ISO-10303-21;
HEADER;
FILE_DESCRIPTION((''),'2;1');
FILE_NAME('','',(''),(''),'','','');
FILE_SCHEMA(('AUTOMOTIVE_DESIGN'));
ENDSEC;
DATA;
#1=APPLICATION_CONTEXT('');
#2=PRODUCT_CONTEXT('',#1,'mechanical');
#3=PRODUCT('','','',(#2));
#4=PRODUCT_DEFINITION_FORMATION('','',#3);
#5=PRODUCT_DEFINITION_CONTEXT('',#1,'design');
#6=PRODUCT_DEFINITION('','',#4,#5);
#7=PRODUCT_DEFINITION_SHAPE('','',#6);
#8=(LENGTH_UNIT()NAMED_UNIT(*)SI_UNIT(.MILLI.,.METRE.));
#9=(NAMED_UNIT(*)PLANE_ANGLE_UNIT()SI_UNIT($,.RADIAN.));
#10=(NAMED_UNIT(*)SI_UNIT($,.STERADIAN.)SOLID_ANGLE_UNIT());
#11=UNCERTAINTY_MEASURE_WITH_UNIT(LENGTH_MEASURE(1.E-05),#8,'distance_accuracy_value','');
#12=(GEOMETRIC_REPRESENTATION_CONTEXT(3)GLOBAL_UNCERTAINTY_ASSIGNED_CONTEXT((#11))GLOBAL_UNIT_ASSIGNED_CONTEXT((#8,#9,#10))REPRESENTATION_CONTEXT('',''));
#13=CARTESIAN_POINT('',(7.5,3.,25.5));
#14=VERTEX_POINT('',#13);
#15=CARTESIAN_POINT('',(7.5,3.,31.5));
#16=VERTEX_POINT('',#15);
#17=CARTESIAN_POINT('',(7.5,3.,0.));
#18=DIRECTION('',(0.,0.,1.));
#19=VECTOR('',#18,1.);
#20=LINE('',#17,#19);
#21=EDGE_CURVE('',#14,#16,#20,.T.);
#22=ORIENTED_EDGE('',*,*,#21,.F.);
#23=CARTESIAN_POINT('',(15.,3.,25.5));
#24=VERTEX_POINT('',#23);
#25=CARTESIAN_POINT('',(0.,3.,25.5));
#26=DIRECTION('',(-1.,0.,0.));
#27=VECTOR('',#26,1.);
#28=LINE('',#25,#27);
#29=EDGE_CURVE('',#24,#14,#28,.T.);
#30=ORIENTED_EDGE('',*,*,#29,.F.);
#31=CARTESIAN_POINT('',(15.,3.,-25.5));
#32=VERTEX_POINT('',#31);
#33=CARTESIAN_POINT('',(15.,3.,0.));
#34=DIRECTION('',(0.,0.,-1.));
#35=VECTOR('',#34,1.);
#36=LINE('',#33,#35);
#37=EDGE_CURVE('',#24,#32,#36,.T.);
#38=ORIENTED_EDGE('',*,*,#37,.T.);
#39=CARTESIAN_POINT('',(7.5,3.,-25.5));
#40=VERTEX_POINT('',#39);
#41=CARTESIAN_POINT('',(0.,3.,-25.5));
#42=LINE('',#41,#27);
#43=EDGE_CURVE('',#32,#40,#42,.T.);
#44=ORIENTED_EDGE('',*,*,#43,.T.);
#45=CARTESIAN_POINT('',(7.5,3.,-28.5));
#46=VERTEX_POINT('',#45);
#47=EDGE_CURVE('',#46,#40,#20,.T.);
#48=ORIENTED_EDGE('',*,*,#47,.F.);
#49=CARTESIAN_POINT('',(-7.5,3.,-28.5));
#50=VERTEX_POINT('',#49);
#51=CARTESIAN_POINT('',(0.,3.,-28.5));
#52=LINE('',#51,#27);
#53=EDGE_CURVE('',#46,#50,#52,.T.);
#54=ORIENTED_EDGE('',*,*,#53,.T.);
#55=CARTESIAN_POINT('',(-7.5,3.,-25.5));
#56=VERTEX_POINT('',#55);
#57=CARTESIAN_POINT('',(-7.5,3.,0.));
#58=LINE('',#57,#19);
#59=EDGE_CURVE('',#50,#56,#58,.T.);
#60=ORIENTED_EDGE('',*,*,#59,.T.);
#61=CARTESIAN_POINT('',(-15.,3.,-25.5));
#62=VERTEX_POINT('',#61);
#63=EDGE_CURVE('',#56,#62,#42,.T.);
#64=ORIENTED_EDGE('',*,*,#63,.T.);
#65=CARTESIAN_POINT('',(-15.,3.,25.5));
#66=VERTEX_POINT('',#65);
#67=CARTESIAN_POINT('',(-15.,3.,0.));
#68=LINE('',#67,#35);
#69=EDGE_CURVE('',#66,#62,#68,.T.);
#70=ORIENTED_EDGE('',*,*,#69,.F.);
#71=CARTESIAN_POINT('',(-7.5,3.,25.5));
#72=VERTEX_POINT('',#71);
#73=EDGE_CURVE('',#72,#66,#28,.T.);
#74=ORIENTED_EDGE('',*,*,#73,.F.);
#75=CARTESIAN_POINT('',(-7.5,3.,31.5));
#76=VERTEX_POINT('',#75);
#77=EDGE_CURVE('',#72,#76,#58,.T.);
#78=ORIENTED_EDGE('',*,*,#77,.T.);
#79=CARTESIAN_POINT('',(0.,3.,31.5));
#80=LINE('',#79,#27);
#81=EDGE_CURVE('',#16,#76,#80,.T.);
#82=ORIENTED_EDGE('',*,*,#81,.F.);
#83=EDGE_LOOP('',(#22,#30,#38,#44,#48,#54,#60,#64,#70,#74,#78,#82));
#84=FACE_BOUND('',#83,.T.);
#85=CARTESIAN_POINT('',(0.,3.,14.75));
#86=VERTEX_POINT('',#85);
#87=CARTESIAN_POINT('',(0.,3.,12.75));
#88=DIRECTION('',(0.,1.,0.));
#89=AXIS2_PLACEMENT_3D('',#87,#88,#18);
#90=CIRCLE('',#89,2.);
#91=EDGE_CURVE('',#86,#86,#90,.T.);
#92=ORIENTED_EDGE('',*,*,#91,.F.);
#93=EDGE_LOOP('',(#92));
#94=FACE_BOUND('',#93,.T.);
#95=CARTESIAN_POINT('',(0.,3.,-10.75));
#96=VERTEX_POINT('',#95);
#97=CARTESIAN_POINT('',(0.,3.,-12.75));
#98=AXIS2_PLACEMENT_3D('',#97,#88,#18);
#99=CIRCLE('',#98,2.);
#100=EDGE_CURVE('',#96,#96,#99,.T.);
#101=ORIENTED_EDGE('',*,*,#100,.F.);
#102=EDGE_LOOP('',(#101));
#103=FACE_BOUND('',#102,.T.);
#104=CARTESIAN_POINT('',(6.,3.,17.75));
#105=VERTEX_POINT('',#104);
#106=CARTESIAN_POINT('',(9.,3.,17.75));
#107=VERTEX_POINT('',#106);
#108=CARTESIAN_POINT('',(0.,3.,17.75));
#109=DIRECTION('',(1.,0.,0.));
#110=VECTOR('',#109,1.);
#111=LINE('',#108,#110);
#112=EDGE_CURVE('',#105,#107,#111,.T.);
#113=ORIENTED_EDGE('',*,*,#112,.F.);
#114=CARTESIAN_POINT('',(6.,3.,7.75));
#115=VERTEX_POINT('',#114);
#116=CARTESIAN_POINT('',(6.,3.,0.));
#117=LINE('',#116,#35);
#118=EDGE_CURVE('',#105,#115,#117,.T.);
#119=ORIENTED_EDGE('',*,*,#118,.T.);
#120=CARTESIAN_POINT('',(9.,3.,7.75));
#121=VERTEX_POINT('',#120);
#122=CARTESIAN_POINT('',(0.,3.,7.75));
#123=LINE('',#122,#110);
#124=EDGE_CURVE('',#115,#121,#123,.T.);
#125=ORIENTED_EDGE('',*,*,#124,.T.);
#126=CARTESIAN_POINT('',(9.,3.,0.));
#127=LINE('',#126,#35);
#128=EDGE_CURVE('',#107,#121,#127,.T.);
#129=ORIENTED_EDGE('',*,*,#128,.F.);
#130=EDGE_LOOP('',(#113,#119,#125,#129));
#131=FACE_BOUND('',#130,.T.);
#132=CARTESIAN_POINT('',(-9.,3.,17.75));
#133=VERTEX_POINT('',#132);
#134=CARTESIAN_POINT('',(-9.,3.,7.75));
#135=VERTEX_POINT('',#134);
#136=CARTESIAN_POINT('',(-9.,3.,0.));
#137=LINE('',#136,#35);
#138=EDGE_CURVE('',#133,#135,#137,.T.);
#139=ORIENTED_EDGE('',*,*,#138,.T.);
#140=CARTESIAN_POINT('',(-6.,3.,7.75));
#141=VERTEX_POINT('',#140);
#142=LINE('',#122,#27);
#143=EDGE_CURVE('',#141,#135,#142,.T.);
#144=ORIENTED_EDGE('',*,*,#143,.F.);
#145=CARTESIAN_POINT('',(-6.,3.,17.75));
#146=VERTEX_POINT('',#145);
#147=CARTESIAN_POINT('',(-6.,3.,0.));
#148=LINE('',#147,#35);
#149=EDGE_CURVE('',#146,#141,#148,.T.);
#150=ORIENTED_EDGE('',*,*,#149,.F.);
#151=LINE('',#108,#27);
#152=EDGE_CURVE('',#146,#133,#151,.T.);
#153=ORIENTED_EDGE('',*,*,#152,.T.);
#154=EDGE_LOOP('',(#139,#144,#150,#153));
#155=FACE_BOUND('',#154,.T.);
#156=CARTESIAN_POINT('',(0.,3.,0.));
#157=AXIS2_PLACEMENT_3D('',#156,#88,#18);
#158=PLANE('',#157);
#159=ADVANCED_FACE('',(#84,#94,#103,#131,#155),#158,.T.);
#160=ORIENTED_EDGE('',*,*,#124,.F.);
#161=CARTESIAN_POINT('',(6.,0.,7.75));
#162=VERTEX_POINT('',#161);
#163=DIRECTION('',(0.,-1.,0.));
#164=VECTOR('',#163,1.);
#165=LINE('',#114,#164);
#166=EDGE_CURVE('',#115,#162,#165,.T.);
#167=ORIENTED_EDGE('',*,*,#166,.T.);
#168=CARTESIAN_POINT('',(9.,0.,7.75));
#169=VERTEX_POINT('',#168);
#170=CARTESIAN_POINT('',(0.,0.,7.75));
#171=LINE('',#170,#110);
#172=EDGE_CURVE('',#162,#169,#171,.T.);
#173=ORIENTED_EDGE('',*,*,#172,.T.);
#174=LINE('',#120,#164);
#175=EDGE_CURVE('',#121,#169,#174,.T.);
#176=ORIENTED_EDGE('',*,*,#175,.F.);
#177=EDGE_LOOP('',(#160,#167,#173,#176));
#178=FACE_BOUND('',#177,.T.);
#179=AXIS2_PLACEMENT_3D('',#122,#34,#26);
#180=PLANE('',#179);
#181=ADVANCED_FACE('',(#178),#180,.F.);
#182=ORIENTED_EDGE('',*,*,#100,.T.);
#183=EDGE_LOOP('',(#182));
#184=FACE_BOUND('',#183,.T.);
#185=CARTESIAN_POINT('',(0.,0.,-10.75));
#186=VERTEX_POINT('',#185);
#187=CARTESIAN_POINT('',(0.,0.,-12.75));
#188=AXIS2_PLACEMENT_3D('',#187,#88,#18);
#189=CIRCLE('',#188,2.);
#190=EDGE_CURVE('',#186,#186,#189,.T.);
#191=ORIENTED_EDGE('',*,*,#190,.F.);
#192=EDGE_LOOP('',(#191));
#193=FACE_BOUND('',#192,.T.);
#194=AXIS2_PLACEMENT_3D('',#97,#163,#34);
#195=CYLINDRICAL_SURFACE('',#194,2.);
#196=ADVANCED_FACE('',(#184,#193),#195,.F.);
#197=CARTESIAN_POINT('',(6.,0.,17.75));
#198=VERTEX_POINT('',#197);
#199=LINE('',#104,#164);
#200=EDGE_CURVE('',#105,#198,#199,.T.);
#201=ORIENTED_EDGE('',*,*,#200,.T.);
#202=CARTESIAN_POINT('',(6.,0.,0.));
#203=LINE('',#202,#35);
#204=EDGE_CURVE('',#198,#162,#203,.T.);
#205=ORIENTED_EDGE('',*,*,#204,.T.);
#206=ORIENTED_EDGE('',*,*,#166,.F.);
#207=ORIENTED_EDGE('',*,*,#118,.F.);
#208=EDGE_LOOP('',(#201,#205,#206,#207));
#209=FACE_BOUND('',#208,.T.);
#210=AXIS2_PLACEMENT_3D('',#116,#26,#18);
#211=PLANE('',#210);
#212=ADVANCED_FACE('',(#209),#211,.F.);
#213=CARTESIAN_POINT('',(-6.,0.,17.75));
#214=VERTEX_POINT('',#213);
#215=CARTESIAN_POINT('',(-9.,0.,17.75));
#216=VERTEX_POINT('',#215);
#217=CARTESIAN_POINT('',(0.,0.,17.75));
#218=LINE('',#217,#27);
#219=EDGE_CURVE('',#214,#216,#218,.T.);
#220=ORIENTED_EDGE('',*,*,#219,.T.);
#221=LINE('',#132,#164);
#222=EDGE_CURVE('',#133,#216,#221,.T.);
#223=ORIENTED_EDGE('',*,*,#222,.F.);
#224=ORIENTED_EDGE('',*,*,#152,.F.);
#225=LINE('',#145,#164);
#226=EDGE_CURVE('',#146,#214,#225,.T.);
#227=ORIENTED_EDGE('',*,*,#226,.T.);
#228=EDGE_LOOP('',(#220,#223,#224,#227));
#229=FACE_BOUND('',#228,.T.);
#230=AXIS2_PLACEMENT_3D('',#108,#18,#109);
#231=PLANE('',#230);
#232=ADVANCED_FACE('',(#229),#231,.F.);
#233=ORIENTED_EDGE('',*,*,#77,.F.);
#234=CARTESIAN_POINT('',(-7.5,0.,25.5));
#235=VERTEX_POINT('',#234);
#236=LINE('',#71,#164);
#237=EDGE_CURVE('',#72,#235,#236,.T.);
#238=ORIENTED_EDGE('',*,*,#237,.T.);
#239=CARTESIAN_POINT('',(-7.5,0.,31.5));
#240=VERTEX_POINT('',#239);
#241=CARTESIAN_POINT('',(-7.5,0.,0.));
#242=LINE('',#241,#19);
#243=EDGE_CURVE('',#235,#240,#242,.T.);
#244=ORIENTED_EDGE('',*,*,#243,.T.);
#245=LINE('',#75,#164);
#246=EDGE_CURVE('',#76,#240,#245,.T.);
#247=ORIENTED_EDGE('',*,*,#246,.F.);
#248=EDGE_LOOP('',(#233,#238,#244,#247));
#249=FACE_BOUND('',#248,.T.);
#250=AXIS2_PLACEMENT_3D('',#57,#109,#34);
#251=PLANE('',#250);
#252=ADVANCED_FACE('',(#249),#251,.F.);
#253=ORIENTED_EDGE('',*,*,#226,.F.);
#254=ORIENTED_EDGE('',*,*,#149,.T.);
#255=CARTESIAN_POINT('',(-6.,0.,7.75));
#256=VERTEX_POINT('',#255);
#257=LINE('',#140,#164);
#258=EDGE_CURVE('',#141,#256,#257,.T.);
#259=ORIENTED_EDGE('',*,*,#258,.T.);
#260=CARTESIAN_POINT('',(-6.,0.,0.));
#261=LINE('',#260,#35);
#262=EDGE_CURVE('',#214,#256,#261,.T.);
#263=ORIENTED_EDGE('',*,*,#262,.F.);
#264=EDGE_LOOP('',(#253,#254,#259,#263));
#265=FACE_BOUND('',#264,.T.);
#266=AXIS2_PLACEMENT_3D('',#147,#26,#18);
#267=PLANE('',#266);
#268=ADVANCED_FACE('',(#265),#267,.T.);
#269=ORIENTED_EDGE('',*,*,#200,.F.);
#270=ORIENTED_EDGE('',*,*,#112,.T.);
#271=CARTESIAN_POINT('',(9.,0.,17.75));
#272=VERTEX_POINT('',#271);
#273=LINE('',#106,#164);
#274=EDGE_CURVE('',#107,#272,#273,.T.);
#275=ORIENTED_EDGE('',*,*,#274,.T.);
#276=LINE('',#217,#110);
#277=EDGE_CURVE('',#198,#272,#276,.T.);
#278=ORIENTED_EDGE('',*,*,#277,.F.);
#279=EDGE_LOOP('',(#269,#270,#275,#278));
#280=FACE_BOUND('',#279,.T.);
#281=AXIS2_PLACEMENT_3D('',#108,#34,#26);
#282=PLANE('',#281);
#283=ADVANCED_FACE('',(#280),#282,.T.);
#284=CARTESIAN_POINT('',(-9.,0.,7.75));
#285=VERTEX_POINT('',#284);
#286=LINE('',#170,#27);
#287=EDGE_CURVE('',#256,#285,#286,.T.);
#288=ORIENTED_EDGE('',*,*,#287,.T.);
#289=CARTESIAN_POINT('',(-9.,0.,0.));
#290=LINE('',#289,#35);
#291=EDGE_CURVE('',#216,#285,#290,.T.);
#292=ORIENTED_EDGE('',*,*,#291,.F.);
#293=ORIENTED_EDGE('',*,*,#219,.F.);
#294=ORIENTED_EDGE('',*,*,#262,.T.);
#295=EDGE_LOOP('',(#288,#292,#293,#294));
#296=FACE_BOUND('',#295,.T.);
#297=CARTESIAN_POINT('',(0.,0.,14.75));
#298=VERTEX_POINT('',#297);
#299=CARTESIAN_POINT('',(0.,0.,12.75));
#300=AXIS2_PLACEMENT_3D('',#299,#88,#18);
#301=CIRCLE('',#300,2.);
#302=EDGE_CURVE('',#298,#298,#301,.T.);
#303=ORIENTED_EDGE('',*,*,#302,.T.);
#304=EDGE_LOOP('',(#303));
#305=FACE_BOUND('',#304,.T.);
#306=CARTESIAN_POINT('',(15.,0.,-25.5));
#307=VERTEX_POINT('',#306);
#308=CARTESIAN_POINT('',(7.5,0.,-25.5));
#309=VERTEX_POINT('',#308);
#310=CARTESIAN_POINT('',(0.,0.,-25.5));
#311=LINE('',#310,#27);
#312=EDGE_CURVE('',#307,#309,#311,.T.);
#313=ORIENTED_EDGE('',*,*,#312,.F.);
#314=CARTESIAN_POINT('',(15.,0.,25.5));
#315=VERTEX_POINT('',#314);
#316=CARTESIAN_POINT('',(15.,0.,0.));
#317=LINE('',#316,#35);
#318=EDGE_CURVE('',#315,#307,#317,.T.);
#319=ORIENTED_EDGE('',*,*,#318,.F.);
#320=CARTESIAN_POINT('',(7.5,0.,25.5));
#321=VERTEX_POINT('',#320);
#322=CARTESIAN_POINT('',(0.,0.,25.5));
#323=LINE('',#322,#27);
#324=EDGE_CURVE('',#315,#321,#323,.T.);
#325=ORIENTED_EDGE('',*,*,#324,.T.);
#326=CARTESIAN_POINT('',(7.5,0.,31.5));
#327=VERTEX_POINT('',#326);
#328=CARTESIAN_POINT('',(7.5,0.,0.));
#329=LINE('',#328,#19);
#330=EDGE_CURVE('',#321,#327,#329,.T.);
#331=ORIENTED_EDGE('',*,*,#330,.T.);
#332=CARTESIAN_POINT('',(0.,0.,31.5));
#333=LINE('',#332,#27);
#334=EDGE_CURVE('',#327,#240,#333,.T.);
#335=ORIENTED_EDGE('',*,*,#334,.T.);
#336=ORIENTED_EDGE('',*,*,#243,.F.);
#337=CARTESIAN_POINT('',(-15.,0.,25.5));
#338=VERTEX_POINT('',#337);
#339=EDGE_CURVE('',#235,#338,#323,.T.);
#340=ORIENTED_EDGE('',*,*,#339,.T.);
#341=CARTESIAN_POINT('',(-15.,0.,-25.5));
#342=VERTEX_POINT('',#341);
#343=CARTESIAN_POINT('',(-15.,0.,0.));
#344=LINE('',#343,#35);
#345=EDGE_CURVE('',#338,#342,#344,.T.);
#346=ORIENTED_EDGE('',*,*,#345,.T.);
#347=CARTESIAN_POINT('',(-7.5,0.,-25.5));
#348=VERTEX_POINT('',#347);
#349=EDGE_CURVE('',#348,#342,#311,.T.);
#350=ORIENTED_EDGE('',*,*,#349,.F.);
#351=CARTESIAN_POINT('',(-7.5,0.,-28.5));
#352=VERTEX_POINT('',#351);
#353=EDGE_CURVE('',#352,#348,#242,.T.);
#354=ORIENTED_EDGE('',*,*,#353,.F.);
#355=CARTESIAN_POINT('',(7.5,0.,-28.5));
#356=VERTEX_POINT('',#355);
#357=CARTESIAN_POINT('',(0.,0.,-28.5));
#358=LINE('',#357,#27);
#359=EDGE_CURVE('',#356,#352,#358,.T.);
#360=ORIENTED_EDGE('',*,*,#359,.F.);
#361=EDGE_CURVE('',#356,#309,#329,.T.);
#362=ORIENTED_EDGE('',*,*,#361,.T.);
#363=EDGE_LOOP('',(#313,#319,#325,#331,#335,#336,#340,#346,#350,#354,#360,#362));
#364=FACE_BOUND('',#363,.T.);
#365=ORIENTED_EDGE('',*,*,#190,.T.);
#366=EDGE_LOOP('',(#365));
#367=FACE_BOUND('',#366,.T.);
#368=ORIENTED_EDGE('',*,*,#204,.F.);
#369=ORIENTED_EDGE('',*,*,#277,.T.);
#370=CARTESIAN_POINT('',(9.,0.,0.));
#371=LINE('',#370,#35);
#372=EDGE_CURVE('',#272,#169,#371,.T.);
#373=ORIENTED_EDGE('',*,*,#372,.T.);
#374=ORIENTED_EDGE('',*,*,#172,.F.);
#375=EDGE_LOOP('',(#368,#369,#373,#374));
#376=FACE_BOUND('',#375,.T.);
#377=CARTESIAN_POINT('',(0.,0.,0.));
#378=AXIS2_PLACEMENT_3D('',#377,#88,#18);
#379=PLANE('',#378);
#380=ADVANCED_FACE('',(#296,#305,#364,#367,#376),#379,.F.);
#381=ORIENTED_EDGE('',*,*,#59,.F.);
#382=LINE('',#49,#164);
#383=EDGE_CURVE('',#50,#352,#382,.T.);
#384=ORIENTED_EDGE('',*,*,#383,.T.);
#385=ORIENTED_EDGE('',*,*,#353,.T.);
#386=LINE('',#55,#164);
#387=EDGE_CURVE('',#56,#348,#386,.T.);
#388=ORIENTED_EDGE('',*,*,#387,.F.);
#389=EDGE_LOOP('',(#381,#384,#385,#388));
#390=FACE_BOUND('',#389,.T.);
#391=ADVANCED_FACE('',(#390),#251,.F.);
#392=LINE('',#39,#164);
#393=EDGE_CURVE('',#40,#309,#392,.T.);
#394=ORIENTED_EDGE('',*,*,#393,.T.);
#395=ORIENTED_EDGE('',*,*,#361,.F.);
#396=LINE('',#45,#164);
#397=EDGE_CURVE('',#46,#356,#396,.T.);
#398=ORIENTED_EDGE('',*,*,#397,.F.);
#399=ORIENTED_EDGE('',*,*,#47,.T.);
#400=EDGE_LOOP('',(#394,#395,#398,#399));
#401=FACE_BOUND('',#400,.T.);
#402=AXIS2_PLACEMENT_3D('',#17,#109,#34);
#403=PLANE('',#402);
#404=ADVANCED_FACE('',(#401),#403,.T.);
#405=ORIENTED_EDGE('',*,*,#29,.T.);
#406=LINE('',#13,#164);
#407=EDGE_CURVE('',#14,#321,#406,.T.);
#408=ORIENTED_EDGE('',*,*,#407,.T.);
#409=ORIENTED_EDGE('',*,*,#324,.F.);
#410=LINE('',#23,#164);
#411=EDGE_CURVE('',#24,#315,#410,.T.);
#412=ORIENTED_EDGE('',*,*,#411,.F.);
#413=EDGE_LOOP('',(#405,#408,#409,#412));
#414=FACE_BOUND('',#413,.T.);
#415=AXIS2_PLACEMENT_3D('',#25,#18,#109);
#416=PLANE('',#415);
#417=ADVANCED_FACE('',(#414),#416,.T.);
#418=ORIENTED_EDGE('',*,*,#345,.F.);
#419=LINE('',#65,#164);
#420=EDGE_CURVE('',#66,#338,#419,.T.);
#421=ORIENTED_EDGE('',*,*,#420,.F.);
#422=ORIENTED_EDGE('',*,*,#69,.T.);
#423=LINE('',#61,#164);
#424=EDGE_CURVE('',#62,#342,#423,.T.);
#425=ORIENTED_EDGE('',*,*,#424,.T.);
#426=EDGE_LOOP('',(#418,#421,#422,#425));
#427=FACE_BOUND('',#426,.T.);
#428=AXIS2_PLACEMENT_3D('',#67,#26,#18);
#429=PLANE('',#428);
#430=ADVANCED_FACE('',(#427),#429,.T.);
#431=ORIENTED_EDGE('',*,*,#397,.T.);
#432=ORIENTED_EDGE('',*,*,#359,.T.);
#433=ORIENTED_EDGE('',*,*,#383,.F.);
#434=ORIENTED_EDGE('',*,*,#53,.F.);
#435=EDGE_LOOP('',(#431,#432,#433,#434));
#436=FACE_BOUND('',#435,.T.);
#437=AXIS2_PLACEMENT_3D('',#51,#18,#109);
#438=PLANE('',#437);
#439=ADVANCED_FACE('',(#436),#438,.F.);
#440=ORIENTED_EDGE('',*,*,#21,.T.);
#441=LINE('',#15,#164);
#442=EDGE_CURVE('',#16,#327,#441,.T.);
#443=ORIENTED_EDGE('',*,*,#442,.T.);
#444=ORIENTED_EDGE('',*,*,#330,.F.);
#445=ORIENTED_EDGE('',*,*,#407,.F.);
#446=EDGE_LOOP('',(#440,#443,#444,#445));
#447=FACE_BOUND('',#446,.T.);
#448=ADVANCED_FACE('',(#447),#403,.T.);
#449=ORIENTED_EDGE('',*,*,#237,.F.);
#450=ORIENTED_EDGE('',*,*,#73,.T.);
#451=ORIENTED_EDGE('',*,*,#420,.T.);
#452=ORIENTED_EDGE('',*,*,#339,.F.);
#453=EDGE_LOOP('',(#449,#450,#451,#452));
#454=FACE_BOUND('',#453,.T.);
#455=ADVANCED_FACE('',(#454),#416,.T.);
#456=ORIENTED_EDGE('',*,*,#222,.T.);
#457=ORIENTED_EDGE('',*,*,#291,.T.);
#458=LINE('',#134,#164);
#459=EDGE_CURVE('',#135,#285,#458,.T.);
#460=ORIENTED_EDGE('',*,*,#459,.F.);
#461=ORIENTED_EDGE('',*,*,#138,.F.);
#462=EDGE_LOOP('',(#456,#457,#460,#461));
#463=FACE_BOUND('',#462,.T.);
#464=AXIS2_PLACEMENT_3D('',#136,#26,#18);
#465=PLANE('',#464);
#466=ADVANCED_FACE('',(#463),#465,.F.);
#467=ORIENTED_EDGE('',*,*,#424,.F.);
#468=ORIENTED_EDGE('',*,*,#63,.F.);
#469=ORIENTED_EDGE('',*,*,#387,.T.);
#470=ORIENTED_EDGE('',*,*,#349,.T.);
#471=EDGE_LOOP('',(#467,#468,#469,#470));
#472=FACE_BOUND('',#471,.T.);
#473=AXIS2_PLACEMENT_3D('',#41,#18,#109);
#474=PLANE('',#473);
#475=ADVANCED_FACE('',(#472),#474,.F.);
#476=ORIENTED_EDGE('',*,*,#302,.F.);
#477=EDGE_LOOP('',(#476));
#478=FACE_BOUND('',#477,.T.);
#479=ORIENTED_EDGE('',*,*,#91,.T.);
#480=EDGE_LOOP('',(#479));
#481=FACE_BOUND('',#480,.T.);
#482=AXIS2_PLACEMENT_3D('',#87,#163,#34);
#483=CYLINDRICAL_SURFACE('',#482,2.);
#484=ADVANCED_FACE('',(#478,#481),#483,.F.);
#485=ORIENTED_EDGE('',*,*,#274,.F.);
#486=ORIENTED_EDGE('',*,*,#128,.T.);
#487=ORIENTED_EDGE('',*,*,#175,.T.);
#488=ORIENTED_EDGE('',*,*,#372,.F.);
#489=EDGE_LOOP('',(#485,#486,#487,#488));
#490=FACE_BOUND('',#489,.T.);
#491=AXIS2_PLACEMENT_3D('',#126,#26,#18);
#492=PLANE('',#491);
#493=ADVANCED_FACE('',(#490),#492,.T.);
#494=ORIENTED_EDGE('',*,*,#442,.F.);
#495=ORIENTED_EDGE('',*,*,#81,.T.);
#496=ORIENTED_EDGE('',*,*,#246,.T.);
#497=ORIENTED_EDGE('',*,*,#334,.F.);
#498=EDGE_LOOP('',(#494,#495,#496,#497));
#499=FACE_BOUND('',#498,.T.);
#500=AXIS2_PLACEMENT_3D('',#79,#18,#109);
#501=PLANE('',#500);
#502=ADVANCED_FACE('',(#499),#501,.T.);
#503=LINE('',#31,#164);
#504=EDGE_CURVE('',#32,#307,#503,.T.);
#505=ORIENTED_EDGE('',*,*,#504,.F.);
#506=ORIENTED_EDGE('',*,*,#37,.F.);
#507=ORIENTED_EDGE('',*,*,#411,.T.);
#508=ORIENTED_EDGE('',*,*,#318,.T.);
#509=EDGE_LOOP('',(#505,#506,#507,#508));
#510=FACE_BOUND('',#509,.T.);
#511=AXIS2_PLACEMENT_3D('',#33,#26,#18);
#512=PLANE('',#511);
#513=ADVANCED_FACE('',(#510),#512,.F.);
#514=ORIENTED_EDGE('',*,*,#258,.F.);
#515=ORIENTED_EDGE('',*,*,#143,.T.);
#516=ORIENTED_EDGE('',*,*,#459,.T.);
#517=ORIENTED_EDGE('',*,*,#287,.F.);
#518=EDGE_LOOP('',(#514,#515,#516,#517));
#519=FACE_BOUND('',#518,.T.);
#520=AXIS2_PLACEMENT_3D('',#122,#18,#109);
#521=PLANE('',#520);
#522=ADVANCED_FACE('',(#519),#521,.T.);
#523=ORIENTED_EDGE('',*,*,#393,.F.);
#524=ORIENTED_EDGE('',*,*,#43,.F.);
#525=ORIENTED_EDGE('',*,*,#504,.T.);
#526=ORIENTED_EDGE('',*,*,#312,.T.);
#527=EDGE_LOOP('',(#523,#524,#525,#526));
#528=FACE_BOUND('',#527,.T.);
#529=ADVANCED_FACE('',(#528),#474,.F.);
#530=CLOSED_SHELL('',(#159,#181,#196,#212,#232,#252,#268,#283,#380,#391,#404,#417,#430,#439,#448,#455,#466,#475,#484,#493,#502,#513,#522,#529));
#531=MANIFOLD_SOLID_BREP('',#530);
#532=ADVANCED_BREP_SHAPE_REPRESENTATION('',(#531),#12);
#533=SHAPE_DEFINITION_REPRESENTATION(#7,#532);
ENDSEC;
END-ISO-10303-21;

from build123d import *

# Parameters (mm, degrees)
SKETCH1_W           = 7.5
SKETCH1_H           = 6
BOSS_EXTRUDE1_DEPTH = 3


with BuildPart() as part:
    # Sketch1 → Boss-Extrude1 (new body)
    with BuildSketch(Plane(origin=(0, 0, 0), x_dir=(1, 0, 0), z_dir=(0, 1, 0))):
        with BuildLine():
            Line((0, 14.75), (0, 25.5))
            Line((0, 25.5), (-7.5, 25.5))
            Line((-7.5, 25.5), (-15, 25.5))
            Line((-15, 25.5), (-15, -12.75))
            Line((-15, -12.75), (-9, -12.75))
            Line((-9, -12.75), (-9, -7.75))
            Line((-9, -7.75), (-6, -7.75))
            Line((-6, -7.75), (-6, -12.75))
            Line((-6, -12.75), (-2, -12.75))
            ThreePointArc((-2, -12.75), (-1.414213562, -11.335786438), (0, -10.75))
            Line((0, -10.75), (0, 0))
            Line((0, 0), (0, 10.75))
            ThreePointArc((0, 10.75), (-2, 12.75), (0, 14.75))
        make_face()
        with BuildLine():
            Line((-9, -12.75), (-15, -12.75))
            Line((-15, -12.75), (-15, -25.5))
            Line((-15, -25.5), (-7.5, -25.5))
            Line((-7.5, -25.5), (0, -25.5))
            Line((0, -25.5), (0, -14.75))
            ThreePointArc((0, -14.75), (-1.414213562, -14.164213562), (-2, -12.75))
            Line((-2, -12.75), (-6, -12.75))
            Line((-6, -12.75), (-6, -17.75))
            Line((-6, -17.75), (-9, -17.75))
            Line((-9, -17.75), (-9, -12.75))
        make_face()
        with BuildLine():
            Line((15, -25.5), (15, -12.75))
            Line((15, -12.75), (9, -12.75))
            Line((9, -12.75), (9, -17.75))
            Line((9, -17.75), (6, -17.75))
            Line((6, -17.75), (6, -12.75))
            Line((6, -12.75), (2, -12.75))
            ThreePointArc((2, -12.75), (1.414213562, -14.164213562), (0, -14.75))
            Line((0, -14.75), (0, -25.5))
            Line((0, -25.5), (7.5, -25.5))
            Line((7.5, -25.5), (15, -25.5))
        make_face()
        with BuildLine():
            Line((7.5, 25.5), (0, 25.5))
            Line((0, 25.5), (0, 14.75))
            ThreePointArc((0, 14.75), (1.414213562, 14.164213562), (2, 12.75))
            ThreePointArc((2, 12.75), (1.414213562, 11.335786438), (0, 10.75))
            Line((0, 10.75), (0, 0))
            Line((0, 0), (0, -10.75))
            ThreePointArc((0, -10.75), (1.414213562, -11.335786438), (2, -12.75))
            Line((2, -12.75), (6, -12.75))
            Line((6, -12.75), (6, -7.75))
            Line((6, -7.75), (9, -7.75))
            Line((9, -7.75), (9, -12.75))
            Line((9, -12.75), (15, -12.75))
            Line((15, -12.75), (15, 25.5))
            Line((15, 25.5), (7.5, 25.5))
        make_face()
        Polygon((-7.5, 25.5), (0, 25.5), (7.5, 25.5), (7.5, 28.5), (-7.5, 28.5), align=None)
        Polygon((-7.5, 25.5), (0, 25.5), (7.5, 25.5), (7.5, 28.5), (-7.5, 28.5), align=None)
        with Locations((-3.75, -28.5)):
            Rectangle(SKETCH1_W, SKETCH1_H)
        with Locations((3.75, -28.5)):
            Rectangle(SKETCH1_W, SKETCH1_H)
    extrude(amount=BOSS_EXTRUDE1_DEPTH)


solid = part.part
